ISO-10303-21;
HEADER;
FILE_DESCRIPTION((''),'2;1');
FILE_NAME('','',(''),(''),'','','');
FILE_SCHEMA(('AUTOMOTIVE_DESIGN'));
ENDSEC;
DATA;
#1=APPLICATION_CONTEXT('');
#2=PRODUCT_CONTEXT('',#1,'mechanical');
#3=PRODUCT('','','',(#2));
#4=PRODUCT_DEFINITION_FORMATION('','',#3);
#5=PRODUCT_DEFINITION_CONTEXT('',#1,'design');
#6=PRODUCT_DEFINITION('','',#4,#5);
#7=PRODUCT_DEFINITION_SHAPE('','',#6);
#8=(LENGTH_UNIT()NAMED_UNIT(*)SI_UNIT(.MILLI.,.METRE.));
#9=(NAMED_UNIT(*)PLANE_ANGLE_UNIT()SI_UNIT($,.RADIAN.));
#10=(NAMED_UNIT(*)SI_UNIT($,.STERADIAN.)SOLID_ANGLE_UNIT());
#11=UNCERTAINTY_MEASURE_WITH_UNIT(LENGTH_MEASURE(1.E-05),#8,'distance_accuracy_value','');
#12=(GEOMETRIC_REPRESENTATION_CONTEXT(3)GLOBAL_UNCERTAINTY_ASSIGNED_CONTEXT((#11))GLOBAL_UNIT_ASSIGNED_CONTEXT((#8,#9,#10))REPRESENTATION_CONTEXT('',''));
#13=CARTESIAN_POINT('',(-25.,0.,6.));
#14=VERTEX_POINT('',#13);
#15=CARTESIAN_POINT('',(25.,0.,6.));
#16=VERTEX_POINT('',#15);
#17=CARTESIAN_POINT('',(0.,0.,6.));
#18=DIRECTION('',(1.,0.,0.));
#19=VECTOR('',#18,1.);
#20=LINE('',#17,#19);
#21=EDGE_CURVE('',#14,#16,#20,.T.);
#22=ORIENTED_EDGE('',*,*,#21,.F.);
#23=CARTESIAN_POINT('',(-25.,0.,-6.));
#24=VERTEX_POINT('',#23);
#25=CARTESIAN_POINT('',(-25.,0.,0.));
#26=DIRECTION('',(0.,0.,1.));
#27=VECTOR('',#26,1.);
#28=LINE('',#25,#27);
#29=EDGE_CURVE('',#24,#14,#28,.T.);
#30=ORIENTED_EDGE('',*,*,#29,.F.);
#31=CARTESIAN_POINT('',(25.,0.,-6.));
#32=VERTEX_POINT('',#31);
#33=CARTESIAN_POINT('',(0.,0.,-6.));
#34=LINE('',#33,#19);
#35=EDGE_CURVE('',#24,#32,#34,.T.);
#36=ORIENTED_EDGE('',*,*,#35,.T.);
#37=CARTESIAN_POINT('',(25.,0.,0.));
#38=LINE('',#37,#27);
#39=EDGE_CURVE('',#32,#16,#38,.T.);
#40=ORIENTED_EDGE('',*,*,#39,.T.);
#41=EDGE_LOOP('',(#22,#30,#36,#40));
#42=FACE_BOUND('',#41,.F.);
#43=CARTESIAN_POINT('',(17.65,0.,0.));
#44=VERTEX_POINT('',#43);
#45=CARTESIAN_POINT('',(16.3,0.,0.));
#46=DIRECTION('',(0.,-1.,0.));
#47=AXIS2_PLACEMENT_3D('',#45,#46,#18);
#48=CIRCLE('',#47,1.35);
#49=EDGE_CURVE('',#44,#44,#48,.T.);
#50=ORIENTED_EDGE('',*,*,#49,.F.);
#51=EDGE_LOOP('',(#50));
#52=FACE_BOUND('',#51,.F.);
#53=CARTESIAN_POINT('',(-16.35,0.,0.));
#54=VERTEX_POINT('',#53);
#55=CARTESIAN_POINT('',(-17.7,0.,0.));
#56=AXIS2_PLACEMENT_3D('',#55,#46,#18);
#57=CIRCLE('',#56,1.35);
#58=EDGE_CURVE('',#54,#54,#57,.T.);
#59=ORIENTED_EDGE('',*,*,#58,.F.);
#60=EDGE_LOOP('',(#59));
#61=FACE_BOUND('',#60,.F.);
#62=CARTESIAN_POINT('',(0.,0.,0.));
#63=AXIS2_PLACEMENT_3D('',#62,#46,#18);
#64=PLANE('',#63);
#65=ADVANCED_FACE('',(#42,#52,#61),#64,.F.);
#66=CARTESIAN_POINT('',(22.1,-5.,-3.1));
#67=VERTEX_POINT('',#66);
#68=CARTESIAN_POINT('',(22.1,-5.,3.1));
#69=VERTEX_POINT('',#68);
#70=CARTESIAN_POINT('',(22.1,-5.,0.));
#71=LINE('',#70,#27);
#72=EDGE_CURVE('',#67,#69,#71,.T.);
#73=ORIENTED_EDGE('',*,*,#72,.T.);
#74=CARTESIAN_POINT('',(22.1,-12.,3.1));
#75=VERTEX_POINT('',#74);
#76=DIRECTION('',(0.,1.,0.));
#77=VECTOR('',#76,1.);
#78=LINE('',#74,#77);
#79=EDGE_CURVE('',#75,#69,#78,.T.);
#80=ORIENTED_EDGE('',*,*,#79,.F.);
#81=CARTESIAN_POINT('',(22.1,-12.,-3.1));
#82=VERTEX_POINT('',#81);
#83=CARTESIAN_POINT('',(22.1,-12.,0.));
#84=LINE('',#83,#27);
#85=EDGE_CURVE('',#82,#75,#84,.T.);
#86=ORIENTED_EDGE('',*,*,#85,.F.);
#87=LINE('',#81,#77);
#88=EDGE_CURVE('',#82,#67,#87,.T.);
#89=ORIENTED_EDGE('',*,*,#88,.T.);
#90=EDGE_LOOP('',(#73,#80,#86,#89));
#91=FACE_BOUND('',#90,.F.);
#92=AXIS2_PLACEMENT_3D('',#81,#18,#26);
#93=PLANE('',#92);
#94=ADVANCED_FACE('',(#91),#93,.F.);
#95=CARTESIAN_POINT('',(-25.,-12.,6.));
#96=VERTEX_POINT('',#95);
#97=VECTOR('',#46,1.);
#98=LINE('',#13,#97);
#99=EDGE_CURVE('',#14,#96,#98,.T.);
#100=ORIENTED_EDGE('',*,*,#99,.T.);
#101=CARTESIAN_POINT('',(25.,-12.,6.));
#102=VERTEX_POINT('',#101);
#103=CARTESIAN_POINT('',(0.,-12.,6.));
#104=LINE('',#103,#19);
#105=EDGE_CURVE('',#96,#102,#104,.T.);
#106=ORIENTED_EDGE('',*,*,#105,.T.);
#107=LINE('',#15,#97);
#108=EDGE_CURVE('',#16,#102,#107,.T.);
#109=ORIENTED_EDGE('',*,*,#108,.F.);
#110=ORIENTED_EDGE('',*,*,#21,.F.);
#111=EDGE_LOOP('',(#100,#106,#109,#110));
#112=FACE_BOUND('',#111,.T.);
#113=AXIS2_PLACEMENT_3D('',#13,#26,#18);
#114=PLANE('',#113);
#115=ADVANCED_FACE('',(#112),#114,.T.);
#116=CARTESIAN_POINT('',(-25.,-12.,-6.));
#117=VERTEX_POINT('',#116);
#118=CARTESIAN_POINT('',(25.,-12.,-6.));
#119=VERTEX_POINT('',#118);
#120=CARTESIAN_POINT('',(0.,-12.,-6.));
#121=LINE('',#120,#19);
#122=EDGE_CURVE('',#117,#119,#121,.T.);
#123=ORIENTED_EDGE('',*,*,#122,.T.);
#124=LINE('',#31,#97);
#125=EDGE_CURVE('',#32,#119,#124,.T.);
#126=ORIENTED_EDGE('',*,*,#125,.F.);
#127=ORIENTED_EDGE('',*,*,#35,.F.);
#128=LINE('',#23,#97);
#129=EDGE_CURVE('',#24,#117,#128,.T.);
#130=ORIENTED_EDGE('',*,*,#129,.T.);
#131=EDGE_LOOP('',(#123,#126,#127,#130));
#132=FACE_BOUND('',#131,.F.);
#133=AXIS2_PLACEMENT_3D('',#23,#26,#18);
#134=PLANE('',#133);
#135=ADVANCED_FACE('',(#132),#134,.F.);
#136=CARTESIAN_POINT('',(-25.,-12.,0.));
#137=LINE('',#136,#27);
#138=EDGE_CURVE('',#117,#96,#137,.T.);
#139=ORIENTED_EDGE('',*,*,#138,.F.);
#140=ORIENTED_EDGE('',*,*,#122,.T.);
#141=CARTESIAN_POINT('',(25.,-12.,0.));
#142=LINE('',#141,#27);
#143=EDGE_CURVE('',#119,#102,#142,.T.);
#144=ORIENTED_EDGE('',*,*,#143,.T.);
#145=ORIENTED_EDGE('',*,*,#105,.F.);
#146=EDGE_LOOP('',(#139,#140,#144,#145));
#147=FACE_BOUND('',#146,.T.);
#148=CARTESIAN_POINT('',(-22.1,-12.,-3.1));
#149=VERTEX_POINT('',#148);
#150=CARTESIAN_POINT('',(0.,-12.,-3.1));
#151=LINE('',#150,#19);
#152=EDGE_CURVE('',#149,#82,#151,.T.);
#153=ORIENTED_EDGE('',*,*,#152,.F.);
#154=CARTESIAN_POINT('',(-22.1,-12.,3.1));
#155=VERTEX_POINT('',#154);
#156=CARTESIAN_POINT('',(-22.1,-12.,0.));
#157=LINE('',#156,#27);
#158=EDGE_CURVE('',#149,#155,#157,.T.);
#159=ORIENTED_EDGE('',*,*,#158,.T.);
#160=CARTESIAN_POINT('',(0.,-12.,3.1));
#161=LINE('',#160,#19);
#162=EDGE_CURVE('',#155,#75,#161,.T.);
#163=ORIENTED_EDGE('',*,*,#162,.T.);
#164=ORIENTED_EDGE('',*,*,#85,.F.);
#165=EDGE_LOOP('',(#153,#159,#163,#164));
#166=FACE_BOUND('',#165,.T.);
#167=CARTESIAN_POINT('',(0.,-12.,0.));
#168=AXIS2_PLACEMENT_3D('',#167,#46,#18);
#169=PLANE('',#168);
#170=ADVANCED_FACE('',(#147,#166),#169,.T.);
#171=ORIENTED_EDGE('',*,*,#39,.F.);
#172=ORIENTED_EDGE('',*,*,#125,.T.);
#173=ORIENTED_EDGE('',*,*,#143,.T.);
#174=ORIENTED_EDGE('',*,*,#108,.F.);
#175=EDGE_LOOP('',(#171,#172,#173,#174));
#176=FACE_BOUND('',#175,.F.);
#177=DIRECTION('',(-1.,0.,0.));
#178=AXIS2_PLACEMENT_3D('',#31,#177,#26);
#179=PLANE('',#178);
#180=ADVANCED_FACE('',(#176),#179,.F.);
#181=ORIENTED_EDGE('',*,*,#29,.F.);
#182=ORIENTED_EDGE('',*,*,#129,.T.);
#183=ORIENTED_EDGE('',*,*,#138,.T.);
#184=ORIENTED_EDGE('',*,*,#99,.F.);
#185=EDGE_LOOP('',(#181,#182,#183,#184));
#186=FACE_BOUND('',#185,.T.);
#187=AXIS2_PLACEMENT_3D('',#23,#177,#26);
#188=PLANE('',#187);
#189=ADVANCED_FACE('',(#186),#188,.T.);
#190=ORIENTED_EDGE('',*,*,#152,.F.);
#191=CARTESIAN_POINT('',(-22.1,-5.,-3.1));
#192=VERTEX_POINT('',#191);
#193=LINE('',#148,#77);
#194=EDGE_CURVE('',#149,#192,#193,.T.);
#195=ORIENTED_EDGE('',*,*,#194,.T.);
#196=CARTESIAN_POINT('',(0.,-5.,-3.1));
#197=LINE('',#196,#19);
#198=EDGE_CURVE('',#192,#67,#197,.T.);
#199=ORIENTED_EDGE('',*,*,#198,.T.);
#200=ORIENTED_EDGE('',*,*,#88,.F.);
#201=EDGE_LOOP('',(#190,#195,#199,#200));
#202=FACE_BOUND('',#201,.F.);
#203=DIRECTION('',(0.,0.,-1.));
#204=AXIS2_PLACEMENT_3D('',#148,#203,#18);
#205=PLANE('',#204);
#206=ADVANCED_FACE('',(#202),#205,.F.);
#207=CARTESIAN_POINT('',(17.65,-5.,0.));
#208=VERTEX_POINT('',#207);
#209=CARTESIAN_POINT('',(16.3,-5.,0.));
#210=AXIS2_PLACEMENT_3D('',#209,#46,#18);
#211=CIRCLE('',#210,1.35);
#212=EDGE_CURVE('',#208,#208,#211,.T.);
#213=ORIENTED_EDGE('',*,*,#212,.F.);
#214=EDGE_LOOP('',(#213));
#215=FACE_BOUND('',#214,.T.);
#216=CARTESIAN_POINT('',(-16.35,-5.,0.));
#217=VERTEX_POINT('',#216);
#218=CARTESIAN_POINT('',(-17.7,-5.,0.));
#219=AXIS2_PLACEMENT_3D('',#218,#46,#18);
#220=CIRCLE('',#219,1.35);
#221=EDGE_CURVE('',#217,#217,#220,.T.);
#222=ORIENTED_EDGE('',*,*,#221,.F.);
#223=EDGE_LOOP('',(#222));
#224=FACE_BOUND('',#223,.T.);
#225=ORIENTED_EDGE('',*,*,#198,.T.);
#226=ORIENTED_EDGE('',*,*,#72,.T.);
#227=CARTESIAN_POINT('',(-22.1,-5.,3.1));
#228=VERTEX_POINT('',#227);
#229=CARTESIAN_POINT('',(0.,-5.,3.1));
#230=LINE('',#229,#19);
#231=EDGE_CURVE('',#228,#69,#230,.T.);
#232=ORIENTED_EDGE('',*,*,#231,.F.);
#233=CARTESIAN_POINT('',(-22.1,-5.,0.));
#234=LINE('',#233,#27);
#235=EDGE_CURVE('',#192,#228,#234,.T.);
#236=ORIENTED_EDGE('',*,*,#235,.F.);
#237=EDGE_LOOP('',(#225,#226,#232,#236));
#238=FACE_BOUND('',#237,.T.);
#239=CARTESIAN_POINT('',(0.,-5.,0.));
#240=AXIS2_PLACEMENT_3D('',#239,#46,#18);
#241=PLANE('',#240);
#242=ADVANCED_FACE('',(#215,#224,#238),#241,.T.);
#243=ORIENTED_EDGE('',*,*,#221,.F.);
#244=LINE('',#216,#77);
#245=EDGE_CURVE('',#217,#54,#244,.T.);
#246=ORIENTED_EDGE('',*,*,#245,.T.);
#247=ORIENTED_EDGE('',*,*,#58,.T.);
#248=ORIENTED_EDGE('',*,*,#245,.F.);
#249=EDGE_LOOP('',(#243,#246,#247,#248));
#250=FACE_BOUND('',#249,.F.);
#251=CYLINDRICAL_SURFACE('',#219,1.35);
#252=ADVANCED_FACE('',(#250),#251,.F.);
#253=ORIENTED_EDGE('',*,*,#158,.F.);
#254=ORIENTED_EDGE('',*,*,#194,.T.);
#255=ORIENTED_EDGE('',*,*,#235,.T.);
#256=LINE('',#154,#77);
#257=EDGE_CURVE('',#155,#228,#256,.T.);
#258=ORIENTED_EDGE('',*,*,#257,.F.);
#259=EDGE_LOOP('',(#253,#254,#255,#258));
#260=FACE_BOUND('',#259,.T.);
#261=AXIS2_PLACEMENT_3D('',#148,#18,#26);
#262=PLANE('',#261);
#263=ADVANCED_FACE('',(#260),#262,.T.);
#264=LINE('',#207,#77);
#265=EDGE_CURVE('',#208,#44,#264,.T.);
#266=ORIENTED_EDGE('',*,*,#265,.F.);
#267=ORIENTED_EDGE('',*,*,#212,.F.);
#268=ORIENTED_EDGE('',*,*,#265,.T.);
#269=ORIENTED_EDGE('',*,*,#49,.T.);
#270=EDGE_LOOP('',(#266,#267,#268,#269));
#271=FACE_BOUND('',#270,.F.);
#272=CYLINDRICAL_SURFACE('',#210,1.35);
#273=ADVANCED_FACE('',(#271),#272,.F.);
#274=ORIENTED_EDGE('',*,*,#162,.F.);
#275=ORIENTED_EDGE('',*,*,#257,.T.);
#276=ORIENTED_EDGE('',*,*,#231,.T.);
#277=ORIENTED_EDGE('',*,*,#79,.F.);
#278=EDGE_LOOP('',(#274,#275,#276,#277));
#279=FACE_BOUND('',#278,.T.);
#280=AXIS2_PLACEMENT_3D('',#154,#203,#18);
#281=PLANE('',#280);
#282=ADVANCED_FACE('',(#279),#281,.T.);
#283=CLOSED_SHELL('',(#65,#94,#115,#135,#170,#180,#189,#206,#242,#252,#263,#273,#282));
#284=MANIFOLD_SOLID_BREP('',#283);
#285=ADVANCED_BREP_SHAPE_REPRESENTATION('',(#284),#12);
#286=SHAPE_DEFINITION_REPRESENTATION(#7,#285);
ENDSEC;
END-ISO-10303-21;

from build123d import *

# Parameters (mm, degrees)
F0_W     = 50
F0_H     = 12
F1_DEPTH = 12
F2_W     = 44.2
F2_H     = 6.2
F3_DEPTH = 7
F4_R     = 1.35
F5_DEPTH = 5


with BuildPart() as f1:
    # F0 (on Front) → F1 (new body)
    with BuildSketch(Plane.XZ):
        Rectangle(F0_W, F0_H)
    extrude(amount=F1_DEPTH)

    # F2 (on face) → F3 (cut)
    with BuildSketch(Plane.XZ.offset(12)):
        Rectangle(F2_W, F2_H)
    extrude(amount=-F3_DEPTH, mode=Mode.SUBTRACT)

    # F4 (on face) → F5 (cut, through all)
    with BuildSketch(Plane.XZ.offset(5)):
        with Locations((-17.7, 0)):
            Circle(F4_R)
        with Locations((16.3, 0)):
            Circle(F4_R)
    extrude(amount=-F5_DEPTH, mode=Mode.SUBTRACT)


solid = f1.part
